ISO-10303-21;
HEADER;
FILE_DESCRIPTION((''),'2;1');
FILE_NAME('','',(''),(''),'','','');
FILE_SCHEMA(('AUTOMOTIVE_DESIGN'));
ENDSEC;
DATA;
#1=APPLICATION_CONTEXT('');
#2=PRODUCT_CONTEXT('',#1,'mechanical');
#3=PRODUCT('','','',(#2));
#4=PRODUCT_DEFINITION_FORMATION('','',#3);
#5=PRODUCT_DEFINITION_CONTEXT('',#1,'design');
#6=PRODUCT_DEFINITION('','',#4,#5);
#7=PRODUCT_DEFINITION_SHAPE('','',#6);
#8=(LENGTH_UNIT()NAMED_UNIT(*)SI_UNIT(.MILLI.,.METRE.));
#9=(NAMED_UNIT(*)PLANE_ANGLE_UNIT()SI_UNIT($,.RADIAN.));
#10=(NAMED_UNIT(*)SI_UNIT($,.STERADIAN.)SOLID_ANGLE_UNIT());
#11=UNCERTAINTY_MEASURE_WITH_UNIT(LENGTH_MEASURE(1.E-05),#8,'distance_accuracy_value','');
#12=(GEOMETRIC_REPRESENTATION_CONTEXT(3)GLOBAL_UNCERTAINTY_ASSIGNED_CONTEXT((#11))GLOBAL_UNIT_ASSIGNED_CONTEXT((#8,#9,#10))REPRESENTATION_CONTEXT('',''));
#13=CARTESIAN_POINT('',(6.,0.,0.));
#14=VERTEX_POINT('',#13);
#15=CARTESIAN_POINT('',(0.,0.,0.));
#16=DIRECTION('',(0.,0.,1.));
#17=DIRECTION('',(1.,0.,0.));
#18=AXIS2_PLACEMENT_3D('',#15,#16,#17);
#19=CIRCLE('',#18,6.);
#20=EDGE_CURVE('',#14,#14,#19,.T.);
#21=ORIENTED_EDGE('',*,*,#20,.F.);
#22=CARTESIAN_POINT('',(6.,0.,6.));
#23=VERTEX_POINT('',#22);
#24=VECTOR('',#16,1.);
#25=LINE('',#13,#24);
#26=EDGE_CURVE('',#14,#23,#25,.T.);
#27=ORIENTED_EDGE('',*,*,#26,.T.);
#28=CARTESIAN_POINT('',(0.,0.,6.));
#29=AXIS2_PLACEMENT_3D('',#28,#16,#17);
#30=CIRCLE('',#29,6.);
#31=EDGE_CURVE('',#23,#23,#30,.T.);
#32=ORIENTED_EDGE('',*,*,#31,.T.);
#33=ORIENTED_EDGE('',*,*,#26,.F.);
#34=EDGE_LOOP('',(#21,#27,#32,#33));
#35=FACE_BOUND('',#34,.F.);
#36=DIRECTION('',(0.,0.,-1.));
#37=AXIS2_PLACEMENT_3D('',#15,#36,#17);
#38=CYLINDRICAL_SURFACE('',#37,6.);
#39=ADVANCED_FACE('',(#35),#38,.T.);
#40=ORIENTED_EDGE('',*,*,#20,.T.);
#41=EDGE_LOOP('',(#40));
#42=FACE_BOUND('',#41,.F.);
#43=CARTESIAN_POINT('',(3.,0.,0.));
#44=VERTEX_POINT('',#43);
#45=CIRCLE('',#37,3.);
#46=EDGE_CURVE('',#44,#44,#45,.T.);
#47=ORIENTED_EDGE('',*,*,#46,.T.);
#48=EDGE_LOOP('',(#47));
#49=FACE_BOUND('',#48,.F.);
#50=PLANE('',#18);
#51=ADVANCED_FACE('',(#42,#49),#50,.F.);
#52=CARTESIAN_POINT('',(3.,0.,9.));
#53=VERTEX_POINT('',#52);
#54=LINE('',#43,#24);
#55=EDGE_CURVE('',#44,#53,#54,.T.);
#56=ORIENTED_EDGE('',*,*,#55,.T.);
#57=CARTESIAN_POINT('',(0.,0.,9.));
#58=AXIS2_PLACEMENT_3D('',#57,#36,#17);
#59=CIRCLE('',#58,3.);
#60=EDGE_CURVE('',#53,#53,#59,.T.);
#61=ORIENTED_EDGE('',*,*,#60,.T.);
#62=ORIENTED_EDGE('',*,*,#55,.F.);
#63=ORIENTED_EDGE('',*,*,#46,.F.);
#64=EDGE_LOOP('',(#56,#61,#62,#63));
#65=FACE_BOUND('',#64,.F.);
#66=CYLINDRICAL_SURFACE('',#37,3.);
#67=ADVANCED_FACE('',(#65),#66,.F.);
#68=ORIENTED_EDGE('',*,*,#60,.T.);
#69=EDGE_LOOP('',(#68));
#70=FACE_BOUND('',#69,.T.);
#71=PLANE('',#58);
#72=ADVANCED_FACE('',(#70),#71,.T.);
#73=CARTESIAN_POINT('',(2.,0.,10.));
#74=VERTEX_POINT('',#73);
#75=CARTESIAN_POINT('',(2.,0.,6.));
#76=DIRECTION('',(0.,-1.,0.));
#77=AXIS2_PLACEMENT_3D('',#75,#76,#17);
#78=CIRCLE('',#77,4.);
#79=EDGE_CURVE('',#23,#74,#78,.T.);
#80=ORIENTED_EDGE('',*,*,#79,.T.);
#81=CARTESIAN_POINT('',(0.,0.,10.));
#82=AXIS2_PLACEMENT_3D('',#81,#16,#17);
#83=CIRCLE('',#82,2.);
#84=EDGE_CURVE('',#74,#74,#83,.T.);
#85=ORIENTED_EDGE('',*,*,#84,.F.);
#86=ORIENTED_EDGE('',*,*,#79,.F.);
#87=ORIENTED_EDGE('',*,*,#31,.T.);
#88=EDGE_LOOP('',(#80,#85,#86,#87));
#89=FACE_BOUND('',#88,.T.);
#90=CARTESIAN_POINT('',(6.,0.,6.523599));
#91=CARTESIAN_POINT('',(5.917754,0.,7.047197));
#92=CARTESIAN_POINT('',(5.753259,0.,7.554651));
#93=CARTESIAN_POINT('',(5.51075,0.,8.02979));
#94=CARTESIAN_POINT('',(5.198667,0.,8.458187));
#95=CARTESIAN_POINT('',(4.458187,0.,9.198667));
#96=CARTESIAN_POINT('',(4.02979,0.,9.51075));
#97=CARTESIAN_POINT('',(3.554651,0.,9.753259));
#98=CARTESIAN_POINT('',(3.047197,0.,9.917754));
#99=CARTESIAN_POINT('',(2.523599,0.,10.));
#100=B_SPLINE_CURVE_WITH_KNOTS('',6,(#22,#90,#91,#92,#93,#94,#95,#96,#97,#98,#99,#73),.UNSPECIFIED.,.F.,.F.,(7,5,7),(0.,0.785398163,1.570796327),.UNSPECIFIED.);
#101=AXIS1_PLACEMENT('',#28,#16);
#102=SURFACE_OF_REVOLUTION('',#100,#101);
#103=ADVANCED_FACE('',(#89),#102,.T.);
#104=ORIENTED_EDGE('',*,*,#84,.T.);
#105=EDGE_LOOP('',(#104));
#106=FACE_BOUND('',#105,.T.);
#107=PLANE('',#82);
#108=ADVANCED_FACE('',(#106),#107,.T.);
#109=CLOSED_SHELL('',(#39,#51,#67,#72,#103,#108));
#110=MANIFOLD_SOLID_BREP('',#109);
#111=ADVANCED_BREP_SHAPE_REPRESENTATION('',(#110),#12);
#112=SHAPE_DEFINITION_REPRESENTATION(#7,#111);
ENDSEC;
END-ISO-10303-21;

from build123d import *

# Parameters (mm, degrees)
SKETCH_R     = 6
PAD_DEPTH    = 10
SKETCH001_R  = 3
POCKET_DEPTH = 9
FILLET_R     = 4


with BuildPart() as part:
    # Sketch → Pad (new body)
    with BuildSketch(Plane.XY):
        Circle(SKETCH_R)
    extrude(amount=PAD_DEPTH)

    # Sketch001 (on Face2 of Pad) → Pocket (cut)
    with BuildSketch(Plane(origin=(0, 0, 0), x_dir=(1, 0, 0), z_dir=(0, 0, -1))):
        Circle(SKETCH001_R)
    extrude(amount=-POCKET_DEPTH, mode=Mode.SUBTRACT)

    # Fillet
    fillet_edges = [part.edges().sort_by_distance(p)[0] for p in [
        (-6, 0, 10),
    ]]
    fillet(fillet_edges, radius=FILLET_R)


solid = part.part
